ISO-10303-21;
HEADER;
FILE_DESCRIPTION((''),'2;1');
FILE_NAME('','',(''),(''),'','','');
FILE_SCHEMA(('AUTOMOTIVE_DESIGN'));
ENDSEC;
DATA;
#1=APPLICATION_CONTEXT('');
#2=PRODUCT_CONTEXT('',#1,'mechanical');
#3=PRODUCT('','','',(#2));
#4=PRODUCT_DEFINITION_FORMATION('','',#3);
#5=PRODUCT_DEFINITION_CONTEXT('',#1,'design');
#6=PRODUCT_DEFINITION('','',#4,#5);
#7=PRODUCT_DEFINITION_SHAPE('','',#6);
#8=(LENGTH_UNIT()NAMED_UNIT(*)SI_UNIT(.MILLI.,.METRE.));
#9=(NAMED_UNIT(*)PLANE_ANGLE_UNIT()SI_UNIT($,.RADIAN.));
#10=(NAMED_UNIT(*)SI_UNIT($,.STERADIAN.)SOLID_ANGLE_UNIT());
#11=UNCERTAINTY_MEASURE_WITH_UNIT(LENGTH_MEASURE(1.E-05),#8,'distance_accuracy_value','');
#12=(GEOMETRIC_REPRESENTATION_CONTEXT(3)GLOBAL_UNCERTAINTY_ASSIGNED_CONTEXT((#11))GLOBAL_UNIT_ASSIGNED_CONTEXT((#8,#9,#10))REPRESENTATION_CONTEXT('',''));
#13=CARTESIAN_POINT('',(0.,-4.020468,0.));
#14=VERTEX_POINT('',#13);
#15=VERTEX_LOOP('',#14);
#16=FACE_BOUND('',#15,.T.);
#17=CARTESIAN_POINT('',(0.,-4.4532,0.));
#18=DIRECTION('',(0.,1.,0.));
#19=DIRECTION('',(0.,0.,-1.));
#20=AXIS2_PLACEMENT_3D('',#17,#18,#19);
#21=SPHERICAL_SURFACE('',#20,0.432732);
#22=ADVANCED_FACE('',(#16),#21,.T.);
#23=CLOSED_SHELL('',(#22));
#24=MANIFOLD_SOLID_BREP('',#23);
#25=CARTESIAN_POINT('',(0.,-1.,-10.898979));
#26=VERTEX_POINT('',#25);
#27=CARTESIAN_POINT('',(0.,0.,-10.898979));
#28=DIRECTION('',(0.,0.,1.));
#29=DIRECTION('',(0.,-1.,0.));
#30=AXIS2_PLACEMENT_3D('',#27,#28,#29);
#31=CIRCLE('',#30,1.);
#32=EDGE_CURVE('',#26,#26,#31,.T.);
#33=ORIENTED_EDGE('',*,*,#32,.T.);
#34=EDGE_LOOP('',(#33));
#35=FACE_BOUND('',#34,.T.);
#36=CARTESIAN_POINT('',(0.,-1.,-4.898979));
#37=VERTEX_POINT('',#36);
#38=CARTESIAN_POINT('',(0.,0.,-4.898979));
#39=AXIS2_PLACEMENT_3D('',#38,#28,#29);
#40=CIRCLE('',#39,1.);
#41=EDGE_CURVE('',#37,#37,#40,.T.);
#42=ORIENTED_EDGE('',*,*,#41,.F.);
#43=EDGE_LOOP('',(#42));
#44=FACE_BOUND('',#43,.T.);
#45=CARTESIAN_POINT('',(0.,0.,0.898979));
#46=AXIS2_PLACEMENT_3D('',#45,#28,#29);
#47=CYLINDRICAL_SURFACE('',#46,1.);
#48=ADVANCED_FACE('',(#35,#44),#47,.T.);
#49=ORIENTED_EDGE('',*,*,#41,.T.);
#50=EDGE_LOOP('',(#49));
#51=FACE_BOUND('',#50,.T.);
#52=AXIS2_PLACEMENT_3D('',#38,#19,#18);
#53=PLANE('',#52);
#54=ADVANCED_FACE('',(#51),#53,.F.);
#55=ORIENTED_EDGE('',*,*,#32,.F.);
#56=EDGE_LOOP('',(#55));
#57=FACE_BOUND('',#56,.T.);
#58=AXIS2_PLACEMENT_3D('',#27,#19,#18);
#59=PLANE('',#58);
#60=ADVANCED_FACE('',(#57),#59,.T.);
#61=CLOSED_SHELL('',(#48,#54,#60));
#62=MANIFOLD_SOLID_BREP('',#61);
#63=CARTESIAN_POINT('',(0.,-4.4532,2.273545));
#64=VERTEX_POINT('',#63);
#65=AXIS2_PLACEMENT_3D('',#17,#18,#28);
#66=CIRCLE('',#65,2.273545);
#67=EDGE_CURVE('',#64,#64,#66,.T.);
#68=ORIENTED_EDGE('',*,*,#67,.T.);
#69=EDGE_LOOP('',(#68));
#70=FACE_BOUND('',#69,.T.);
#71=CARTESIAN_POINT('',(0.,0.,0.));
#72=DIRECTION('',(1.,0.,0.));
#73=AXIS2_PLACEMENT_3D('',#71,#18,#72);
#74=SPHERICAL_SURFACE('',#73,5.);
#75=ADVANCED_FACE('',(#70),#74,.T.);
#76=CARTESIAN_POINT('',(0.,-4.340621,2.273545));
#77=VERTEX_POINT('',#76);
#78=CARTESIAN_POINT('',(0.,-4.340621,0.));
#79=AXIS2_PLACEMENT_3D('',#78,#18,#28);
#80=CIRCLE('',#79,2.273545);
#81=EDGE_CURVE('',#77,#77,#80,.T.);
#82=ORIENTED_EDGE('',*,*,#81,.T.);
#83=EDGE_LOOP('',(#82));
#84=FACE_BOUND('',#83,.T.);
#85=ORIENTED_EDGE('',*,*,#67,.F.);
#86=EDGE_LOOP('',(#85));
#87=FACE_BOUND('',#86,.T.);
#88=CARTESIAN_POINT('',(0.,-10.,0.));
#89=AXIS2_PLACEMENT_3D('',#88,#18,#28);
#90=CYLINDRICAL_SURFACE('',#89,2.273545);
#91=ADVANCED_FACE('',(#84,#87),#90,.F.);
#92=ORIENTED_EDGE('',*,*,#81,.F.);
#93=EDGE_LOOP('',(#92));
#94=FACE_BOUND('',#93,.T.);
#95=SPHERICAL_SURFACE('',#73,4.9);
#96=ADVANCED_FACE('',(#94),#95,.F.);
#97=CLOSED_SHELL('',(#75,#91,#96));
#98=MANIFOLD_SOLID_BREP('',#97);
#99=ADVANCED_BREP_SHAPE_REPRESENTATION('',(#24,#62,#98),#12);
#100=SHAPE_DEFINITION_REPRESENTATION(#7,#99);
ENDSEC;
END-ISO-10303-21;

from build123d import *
from build123d.topology import SkipClean

# Parameters (mm, degrees)
SKETCH_2_R          = 2.273545296
CUT_EXTRUDE_1_DEPTH = 10
SKETCH_3_W          = 6
SKETCH_3_H          = 1


with BuildPart() as part:
    # 草图1 → 旋转2 (revolve)
    with BuildSketch(Plane.XY):
        with BuildLine():
            ThreePointArc((0, -5), (5, 0), (0, 5))
            Line((0, 5), (0, 4.9))
            ThreePointArc((0, 4.9), (4.9, 0), (0, -4.9))
            Line((0, -4.9), (0, -5))
        make_face()
    revolve(axis=Axis((0, 5, 0), (0, -1, 0)))

    # 草图2 → 切除-拉伸1 (cut)
    with BuildSketch(Plane(origin=(0, 0, 0), x_dir=(1, 0, 0), z_dir=(0, 1, 0))):
        with Locations(Location((0, 0, 0), (0, 0, 270))):
            Circle(SKETCH_2_R)
    extrude(amount=-CUT_EXTRUDE_1_DEPTH, mode=Mode.SUBTRACT)


with BuildPart() as body_2:
    # 草图3 → 旋转4 (revolve)
    with BuildSketch(Plane(origin=(0, 0, 0), x_dir=(0, 0, -1), z_dir=(1, 0, 0))):
        with Locations((7.898979486, -0.5)):
            Rectangle(SKETCH_3_W, SKETCH_3_H)
    revolve(axis=Axis((0, 0, 0.898979486), (0, 0, -1)))


with BuildPart() as body_3:
    # 草图4 → 旋转6 (revolve)
    with SkipClean():  # the faces are left unmerged after this step: merging them gives an invalid solid
        with BuildSketch(Plane(origin=(0, 0, 0), x_dir=(0, 0, -1), z_dir=(1, 0, 0))):
            with BuildLine():
                ThreePointArc((0.432732289, -4.453200174), (0.305987936, -4.147212237), (0, -4.020467884))
                Line((0, -4.020467884), (0, -4.885932463))
                ThreePointArc((0, -4.885932463), (0.305987936, -4.75918811), (0.432732289, -4.453200174))
            make_face()
            with BuildLine():
                Line((0, -4.885932463), (0, -4.020467884))
                ThreePointArc((0, -4.020467884), (-0.432732289, -4.453200174), (0, -4.885932463))
            make_face()
        revolve(axis=Axis((0, -4.020467884, 0), (0, -1, 0)))


solid = Compound([part.part, body_2.part, body_3.part])
